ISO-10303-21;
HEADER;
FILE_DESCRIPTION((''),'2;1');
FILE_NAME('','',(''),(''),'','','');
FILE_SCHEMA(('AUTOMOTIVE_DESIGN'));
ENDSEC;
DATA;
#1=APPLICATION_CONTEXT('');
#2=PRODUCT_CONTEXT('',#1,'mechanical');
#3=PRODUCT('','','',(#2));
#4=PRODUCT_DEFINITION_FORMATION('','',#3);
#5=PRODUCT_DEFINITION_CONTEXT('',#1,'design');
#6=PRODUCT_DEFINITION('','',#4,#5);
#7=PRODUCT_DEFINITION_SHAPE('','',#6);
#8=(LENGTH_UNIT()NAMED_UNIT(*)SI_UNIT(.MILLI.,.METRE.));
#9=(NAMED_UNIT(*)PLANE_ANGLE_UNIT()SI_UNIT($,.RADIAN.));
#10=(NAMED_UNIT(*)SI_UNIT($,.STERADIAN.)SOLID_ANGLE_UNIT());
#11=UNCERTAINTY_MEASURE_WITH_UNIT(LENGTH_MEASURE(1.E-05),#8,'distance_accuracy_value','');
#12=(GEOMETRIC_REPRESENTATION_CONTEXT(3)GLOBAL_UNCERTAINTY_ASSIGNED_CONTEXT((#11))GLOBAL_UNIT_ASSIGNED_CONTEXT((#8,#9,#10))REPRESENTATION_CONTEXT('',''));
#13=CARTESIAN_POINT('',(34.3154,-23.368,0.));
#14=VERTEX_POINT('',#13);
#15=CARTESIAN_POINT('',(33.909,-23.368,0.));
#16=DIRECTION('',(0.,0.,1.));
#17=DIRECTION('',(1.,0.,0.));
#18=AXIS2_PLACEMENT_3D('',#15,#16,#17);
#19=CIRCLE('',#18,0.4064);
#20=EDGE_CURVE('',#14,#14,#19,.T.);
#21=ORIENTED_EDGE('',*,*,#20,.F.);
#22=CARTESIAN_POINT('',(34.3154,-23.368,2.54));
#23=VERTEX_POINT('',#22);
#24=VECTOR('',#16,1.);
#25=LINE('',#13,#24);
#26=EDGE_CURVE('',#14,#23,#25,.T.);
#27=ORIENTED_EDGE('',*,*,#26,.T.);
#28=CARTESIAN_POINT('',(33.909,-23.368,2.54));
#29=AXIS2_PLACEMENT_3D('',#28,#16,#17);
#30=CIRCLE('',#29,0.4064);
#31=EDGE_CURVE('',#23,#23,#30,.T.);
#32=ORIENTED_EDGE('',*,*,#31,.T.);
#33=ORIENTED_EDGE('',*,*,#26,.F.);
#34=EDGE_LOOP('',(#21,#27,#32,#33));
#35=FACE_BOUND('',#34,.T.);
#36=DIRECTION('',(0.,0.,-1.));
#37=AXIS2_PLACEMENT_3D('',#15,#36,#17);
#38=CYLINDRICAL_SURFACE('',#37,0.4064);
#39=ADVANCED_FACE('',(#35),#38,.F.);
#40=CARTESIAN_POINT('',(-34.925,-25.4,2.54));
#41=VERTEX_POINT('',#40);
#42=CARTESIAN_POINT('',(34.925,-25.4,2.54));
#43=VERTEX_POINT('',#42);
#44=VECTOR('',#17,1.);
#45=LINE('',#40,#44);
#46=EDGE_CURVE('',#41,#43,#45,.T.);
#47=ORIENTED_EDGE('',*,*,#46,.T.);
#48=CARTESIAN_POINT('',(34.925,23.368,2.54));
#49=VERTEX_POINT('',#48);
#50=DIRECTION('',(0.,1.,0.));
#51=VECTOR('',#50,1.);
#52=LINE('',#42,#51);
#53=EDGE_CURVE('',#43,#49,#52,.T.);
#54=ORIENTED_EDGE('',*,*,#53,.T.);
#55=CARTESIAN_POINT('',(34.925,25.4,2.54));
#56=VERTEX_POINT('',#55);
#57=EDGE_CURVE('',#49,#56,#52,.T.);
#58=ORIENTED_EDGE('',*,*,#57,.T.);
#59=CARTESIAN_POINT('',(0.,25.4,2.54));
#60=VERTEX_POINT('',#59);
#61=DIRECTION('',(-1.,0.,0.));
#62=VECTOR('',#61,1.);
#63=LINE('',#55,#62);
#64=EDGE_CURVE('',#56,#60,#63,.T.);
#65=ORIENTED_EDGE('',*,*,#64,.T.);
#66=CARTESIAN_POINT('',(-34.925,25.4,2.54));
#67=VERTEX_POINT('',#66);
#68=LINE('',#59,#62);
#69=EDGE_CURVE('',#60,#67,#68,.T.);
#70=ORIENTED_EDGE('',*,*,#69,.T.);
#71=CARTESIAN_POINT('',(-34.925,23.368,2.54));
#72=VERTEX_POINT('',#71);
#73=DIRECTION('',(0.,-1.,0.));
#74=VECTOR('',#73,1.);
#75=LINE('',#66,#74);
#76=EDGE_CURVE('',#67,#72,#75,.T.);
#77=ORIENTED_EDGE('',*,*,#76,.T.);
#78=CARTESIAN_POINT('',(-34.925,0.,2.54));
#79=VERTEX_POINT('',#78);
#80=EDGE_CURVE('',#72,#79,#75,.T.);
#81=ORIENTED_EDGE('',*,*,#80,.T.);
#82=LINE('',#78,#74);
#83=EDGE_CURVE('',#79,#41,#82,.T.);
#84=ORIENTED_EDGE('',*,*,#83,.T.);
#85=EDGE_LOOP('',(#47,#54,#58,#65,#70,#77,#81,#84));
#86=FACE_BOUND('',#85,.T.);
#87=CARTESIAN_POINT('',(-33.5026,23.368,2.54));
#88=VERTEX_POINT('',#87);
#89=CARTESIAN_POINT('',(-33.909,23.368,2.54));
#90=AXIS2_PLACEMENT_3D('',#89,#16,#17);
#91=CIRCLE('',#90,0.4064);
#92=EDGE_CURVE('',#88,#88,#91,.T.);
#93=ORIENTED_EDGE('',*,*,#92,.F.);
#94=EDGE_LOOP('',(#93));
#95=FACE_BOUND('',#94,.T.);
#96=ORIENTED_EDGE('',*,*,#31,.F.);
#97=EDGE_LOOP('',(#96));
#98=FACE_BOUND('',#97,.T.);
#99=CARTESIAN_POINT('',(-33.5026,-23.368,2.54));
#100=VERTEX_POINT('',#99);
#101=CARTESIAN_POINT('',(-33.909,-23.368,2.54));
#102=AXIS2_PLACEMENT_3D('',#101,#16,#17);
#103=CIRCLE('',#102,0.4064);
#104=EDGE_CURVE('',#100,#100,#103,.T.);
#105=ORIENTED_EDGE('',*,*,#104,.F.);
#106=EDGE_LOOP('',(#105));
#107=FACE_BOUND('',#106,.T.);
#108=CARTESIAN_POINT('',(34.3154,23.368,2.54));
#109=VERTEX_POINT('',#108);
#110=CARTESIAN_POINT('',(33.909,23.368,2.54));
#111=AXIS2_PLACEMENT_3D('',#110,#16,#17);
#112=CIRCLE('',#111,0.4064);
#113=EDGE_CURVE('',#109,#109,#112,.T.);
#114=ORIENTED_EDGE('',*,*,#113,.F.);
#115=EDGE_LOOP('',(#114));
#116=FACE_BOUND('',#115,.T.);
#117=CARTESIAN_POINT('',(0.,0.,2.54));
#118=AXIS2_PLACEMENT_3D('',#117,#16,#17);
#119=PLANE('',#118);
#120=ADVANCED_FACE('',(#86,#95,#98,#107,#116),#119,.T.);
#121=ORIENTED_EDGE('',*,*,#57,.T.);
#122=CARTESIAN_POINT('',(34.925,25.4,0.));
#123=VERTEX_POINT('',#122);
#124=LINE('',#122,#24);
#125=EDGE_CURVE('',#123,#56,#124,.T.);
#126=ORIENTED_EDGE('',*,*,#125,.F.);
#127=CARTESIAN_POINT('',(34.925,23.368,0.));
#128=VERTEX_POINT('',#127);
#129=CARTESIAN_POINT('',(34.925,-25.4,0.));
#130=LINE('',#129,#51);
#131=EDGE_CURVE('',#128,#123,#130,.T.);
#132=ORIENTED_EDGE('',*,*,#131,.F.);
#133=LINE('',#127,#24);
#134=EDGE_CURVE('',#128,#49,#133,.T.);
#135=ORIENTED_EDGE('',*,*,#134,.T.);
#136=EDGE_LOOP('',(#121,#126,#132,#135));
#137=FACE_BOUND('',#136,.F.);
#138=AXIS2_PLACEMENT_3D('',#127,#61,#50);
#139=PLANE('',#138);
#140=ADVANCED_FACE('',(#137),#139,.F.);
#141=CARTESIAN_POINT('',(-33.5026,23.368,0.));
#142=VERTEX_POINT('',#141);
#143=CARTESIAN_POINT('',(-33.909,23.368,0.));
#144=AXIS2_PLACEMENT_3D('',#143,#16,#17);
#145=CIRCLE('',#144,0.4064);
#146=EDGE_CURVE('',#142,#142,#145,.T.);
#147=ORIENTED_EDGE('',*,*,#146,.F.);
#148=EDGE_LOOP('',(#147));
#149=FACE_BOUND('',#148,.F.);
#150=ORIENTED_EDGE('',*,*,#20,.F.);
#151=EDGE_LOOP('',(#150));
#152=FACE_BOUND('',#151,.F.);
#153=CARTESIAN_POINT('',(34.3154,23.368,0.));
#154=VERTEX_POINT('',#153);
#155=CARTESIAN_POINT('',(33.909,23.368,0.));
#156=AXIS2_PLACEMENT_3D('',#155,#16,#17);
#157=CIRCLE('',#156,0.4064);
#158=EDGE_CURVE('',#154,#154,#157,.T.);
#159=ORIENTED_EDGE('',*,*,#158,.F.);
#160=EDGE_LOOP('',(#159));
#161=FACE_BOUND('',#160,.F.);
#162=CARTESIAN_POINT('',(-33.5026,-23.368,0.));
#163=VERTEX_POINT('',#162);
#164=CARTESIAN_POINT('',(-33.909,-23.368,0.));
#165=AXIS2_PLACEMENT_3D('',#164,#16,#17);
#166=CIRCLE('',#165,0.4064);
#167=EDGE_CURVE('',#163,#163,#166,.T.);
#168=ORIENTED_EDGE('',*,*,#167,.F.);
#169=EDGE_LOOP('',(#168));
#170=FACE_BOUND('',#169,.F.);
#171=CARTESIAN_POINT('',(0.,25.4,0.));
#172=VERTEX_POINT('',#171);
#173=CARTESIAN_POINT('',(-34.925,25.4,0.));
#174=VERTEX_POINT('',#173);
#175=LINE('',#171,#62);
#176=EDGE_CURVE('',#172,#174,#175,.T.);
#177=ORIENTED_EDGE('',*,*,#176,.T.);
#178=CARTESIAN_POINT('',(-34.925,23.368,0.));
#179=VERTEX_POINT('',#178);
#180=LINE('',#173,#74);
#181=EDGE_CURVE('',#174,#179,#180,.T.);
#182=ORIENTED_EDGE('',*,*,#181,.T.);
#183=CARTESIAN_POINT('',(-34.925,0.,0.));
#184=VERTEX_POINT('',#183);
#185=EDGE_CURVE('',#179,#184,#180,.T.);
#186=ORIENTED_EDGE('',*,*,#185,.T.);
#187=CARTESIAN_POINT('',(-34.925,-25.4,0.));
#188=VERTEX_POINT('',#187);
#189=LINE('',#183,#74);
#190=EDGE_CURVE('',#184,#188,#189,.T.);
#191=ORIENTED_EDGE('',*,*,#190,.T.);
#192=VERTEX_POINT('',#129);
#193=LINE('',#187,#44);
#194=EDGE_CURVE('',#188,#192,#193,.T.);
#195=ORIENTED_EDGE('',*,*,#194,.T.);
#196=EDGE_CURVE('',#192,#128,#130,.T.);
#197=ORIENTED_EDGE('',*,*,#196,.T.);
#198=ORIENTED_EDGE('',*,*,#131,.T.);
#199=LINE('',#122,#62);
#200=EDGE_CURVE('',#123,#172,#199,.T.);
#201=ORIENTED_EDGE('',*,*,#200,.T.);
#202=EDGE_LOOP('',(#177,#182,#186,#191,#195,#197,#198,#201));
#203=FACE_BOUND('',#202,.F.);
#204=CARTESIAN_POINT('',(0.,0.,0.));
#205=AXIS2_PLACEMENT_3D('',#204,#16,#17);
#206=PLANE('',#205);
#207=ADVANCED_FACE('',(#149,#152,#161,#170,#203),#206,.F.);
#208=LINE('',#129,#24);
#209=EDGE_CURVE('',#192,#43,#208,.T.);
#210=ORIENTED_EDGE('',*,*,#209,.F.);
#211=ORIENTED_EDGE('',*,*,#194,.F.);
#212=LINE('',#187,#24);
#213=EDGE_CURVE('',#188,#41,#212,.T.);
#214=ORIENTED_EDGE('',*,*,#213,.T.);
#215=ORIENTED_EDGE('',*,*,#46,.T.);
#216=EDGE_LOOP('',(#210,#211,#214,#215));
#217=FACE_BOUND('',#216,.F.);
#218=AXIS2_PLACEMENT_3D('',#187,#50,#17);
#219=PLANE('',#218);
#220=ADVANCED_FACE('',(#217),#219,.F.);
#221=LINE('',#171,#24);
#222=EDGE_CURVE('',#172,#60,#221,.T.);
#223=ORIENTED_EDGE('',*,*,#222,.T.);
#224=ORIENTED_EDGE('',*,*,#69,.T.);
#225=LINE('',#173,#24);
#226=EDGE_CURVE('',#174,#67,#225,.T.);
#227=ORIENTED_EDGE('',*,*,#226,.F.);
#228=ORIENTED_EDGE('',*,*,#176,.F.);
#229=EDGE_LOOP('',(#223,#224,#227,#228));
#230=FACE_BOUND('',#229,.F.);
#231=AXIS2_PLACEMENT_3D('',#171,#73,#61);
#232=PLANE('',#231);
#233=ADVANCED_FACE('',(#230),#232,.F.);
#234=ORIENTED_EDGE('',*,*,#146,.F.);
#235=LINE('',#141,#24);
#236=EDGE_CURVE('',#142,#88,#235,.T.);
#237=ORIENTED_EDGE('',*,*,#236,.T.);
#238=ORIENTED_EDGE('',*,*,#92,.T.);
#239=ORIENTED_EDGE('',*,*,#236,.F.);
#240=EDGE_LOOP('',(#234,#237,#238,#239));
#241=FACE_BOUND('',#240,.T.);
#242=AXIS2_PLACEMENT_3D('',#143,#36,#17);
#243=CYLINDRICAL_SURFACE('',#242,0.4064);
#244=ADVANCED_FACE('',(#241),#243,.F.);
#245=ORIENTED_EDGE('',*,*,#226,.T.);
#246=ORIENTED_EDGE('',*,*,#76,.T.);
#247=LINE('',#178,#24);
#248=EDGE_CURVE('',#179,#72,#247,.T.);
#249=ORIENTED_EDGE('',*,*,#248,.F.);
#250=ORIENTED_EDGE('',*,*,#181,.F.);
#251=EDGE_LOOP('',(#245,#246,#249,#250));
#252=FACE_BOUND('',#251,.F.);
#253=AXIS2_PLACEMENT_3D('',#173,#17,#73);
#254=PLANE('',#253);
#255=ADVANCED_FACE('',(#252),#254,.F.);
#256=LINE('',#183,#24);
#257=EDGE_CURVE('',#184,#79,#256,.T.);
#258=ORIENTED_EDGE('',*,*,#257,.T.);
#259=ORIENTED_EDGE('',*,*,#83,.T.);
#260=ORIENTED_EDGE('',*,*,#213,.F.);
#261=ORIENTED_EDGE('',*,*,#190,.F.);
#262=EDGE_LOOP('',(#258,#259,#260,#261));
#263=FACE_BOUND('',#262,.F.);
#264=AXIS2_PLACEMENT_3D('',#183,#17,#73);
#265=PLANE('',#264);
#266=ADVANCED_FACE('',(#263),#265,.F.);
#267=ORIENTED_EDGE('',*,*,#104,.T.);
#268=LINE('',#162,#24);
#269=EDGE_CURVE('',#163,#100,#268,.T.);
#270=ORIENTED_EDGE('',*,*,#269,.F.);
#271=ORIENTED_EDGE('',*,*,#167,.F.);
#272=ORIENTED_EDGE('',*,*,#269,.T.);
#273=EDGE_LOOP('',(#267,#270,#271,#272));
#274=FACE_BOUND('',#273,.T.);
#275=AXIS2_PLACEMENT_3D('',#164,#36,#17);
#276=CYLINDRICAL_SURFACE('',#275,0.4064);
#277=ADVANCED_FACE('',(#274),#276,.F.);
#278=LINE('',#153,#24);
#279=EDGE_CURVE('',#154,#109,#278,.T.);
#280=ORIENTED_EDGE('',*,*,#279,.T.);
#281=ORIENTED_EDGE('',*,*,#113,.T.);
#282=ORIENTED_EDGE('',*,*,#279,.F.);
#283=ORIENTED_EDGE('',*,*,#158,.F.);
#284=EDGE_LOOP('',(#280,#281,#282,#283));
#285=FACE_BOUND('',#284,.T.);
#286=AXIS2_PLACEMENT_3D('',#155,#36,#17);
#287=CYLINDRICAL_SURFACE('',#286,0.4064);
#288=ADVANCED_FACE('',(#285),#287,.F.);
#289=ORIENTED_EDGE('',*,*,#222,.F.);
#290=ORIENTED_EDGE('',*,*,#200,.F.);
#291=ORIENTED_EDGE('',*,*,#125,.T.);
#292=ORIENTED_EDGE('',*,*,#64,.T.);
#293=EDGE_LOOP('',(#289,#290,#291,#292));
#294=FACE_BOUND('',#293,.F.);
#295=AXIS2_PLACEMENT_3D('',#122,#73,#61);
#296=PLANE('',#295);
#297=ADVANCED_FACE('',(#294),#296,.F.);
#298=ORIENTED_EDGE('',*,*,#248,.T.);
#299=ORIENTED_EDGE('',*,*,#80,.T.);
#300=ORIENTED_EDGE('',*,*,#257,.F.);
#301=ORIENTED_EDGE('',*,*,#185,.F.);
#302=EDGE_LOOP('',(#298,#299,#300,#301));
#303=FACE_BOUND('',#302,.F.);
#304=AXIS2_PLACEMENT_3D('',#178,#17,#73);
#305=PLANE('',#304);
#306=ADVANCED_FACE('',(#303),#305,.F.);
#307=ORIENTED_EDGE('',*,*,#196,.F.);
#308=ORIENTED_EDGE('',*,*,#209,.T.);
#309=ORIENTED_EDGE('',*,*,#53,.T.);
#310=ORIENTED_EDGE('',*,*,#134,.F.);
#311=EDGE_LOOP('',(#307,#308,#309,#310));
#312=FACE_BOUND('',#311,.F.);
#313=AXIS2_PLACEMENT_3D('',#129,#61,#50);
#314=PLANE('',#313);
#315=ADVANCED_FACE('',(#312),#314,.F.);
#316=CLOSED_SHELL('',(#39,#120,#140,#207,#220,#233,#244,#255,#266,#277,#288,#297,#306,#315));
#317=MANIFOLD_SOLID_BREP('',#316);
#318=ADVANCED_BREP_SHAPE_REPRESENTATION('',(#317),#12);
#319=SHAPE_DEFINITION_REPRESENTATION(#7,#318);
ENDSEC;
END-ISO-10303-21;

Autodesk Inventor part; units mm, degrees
ref_plane "YZ Plane" through (0, 0, 0) normal (1, 0, 0) x (0, 1, 0)
ref_plane "XZ Plane" through (0, 0, 0) normal (0, 1, 0) x (-1, 0, 0)
ref_plane "XY Plane" through (0, 0, 0) normal (0, 0, 1) x (1, 0, 0)
sketch "Sketch1" plane through (0, 0, 0) normal (0, 0, 1) x (1, 0, 0)
  line L0 (0, 25.4) -> (-34.925, 25.4)
  line L1 (-34.925, 25.4) -> (-34.925, 0)
  line L2 (-34.925, 0) -> (-34.925, -25.4)
  line L3 (-34.925, -25.4) -> (34.925, -25.4)
  line L4 (34.925, -25.4) -> (34.925, 25.4)
  line L5 (34.925, 25.4) -> (0, 25.4)
  line L6 (34.925, 25.4) -> (34.925, 23.368)
  line L7 (-34.925, 25.4) -> (-34.925, 23.368)
  circle A0 centre (33.909, -23.368) radius 0.4064
  circle A1 centre (33.909, 23.368) radius 0.4064
  circle A2 centre (-33.909, 23.368) radius 0.4064
  circle A3 centre (-33.909, -23.368) radius 0.4064
  point P0 (0, 0)
  dimension "d11" = 0.8128
  dimension "d12" = 0.8128
  dimension "d13" = 0.8128
  dimension "d14" = 0.8128
extrude "Extrusion1" add sketch "Sketch1" along normal blind 2.54
properties part number "espHolder"
